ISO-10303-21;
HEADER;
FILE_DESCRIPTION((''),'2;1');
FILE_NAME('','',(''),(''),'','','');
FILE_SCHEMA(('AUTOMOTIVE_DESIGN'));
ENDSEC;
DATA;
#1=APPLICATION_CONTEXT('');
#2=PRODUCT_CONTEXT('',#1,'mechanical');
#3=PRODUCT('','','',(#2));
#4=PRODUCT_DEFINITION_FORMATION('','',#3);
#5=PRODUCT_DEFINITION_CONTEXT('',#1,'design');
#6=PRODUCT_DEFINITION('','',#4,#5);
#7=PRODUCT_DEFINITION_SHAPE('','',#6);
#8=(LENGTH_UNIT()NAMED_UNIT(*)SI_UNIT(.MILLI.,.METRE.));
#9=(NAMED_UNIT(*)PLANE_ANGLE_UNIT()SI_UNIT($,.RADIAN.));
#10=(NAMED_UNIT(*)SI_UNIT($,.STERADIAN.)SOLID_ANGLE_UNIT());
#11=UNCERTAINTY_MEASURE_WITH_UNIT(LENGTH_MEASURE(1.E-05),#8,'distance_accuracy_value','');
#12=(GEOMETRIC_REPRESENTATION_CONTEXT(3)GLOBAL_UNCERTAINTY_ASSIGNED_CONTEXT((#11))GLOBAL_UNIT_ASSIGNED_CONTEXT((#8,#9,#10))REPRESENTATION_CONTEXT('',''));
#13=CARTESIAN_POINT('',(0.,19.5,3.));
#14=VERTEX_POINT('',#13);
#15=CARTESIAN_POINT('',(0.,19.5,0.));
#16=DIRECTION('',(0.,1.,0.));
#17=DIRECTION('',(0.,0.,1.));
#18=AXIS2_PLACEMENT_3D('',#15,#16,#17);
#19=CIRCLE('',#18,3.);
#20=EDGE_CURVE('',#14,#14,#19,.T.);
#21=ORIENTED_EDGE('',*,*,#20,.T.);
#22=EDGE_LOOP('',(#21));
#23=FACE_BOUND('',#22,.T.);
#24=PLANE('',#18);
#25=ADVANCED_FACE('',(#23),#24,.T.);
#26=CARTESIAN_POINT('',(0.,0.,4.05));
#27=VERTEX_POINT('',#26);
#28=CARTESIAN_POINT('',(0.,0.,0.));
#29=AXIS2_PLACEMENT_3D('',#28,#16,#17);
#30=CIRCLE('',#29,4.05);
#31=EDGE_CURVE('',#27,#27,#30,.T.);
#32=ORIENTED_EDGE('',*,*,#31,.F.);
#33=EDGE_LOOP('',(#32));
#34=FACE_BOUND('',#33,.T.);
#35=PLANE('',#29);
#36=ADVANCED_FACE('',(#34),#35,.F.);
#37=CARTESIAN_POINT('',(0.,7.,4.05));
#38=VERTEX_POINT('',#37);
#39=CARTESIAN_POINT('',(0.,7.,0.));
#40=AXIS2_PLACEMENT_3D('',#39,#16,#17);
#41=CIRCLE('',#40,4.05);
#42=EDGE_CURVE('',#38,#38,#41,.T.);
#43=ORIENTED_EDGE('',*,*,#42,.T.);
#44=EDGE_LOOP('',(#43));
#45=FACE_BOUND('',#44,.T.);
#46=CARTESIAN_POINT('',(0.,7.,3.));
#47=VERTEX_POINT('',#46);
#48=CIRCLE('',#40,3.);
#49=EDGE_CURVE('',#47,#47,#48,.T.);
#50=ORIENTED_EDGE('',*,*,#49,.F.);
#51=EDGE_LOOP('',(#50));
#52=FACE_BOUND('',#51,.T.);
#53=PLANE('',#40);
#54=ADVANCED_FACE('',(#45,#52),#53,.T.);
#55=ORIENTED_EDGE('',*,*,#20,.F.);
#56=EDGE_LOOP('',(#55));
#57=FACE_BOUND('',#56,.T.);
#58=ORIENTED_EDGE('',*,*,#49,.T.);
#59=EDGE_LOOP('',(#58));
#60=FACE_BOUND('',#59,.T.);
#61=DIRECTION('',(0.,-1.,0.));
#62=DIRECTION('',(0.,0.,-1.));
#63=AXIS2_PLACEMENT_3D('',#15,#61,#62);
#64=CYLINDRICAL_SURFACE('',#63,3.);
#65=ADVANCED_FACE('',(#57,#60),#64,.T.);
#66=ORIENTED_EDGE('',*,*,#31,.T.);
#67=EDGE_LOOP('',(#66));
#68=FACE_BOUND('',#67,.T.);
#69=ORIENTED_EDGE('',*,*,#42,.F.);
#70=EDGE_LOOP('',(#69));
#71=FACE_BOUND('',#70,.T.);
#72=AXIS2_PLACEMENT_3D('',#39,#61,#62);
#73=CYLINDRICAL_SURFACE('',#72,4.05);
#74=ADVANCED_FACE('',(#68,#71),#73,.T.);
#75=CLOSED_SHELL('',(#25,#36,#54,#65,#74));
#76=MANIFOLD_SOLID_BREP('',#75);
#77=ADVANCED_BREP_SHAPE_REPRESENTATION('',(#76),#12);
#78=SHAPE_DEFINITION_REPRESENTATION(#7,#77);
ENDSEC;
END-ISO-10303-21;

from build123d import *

# Parameters (mm, degrees)
SKETCH1_R           = 4.05
BOSS_EXTRUDE1_DEPTH = 7
SKETCH2_R           = 3
BOSS_EXTRUDE2_DEPTH = 12.5


with BuildPart() as part:
    # Sketch1 → Boss-Extrude1 (new body)
    with BuildSketch(Plane(origin=(0, 0, 0), x_dir=(1, 0, 0), z_dir=(0, 1, 0))):
        with Locations(Location((0, 0, 0), (0, 0, 270))):
            Circle(SKETCH1_R)
    extrude(amount=BOSS_EXTRUDE1_DEPTH)

    # Sketch2 → Boss-Extrude2 (add)
    with BuildSketch(Plane(origin=(0, 7, 0), x_dir=(1, 0, 0), z_dir=(0, 1, 0))):
        with Locations(Location((0, 0, 0), (0, 0, 270))):
            Circle(SKETCH2_R)
    extrude(amount=BOSS_EXTRUDE2_DEPTH)


solid = part.part
